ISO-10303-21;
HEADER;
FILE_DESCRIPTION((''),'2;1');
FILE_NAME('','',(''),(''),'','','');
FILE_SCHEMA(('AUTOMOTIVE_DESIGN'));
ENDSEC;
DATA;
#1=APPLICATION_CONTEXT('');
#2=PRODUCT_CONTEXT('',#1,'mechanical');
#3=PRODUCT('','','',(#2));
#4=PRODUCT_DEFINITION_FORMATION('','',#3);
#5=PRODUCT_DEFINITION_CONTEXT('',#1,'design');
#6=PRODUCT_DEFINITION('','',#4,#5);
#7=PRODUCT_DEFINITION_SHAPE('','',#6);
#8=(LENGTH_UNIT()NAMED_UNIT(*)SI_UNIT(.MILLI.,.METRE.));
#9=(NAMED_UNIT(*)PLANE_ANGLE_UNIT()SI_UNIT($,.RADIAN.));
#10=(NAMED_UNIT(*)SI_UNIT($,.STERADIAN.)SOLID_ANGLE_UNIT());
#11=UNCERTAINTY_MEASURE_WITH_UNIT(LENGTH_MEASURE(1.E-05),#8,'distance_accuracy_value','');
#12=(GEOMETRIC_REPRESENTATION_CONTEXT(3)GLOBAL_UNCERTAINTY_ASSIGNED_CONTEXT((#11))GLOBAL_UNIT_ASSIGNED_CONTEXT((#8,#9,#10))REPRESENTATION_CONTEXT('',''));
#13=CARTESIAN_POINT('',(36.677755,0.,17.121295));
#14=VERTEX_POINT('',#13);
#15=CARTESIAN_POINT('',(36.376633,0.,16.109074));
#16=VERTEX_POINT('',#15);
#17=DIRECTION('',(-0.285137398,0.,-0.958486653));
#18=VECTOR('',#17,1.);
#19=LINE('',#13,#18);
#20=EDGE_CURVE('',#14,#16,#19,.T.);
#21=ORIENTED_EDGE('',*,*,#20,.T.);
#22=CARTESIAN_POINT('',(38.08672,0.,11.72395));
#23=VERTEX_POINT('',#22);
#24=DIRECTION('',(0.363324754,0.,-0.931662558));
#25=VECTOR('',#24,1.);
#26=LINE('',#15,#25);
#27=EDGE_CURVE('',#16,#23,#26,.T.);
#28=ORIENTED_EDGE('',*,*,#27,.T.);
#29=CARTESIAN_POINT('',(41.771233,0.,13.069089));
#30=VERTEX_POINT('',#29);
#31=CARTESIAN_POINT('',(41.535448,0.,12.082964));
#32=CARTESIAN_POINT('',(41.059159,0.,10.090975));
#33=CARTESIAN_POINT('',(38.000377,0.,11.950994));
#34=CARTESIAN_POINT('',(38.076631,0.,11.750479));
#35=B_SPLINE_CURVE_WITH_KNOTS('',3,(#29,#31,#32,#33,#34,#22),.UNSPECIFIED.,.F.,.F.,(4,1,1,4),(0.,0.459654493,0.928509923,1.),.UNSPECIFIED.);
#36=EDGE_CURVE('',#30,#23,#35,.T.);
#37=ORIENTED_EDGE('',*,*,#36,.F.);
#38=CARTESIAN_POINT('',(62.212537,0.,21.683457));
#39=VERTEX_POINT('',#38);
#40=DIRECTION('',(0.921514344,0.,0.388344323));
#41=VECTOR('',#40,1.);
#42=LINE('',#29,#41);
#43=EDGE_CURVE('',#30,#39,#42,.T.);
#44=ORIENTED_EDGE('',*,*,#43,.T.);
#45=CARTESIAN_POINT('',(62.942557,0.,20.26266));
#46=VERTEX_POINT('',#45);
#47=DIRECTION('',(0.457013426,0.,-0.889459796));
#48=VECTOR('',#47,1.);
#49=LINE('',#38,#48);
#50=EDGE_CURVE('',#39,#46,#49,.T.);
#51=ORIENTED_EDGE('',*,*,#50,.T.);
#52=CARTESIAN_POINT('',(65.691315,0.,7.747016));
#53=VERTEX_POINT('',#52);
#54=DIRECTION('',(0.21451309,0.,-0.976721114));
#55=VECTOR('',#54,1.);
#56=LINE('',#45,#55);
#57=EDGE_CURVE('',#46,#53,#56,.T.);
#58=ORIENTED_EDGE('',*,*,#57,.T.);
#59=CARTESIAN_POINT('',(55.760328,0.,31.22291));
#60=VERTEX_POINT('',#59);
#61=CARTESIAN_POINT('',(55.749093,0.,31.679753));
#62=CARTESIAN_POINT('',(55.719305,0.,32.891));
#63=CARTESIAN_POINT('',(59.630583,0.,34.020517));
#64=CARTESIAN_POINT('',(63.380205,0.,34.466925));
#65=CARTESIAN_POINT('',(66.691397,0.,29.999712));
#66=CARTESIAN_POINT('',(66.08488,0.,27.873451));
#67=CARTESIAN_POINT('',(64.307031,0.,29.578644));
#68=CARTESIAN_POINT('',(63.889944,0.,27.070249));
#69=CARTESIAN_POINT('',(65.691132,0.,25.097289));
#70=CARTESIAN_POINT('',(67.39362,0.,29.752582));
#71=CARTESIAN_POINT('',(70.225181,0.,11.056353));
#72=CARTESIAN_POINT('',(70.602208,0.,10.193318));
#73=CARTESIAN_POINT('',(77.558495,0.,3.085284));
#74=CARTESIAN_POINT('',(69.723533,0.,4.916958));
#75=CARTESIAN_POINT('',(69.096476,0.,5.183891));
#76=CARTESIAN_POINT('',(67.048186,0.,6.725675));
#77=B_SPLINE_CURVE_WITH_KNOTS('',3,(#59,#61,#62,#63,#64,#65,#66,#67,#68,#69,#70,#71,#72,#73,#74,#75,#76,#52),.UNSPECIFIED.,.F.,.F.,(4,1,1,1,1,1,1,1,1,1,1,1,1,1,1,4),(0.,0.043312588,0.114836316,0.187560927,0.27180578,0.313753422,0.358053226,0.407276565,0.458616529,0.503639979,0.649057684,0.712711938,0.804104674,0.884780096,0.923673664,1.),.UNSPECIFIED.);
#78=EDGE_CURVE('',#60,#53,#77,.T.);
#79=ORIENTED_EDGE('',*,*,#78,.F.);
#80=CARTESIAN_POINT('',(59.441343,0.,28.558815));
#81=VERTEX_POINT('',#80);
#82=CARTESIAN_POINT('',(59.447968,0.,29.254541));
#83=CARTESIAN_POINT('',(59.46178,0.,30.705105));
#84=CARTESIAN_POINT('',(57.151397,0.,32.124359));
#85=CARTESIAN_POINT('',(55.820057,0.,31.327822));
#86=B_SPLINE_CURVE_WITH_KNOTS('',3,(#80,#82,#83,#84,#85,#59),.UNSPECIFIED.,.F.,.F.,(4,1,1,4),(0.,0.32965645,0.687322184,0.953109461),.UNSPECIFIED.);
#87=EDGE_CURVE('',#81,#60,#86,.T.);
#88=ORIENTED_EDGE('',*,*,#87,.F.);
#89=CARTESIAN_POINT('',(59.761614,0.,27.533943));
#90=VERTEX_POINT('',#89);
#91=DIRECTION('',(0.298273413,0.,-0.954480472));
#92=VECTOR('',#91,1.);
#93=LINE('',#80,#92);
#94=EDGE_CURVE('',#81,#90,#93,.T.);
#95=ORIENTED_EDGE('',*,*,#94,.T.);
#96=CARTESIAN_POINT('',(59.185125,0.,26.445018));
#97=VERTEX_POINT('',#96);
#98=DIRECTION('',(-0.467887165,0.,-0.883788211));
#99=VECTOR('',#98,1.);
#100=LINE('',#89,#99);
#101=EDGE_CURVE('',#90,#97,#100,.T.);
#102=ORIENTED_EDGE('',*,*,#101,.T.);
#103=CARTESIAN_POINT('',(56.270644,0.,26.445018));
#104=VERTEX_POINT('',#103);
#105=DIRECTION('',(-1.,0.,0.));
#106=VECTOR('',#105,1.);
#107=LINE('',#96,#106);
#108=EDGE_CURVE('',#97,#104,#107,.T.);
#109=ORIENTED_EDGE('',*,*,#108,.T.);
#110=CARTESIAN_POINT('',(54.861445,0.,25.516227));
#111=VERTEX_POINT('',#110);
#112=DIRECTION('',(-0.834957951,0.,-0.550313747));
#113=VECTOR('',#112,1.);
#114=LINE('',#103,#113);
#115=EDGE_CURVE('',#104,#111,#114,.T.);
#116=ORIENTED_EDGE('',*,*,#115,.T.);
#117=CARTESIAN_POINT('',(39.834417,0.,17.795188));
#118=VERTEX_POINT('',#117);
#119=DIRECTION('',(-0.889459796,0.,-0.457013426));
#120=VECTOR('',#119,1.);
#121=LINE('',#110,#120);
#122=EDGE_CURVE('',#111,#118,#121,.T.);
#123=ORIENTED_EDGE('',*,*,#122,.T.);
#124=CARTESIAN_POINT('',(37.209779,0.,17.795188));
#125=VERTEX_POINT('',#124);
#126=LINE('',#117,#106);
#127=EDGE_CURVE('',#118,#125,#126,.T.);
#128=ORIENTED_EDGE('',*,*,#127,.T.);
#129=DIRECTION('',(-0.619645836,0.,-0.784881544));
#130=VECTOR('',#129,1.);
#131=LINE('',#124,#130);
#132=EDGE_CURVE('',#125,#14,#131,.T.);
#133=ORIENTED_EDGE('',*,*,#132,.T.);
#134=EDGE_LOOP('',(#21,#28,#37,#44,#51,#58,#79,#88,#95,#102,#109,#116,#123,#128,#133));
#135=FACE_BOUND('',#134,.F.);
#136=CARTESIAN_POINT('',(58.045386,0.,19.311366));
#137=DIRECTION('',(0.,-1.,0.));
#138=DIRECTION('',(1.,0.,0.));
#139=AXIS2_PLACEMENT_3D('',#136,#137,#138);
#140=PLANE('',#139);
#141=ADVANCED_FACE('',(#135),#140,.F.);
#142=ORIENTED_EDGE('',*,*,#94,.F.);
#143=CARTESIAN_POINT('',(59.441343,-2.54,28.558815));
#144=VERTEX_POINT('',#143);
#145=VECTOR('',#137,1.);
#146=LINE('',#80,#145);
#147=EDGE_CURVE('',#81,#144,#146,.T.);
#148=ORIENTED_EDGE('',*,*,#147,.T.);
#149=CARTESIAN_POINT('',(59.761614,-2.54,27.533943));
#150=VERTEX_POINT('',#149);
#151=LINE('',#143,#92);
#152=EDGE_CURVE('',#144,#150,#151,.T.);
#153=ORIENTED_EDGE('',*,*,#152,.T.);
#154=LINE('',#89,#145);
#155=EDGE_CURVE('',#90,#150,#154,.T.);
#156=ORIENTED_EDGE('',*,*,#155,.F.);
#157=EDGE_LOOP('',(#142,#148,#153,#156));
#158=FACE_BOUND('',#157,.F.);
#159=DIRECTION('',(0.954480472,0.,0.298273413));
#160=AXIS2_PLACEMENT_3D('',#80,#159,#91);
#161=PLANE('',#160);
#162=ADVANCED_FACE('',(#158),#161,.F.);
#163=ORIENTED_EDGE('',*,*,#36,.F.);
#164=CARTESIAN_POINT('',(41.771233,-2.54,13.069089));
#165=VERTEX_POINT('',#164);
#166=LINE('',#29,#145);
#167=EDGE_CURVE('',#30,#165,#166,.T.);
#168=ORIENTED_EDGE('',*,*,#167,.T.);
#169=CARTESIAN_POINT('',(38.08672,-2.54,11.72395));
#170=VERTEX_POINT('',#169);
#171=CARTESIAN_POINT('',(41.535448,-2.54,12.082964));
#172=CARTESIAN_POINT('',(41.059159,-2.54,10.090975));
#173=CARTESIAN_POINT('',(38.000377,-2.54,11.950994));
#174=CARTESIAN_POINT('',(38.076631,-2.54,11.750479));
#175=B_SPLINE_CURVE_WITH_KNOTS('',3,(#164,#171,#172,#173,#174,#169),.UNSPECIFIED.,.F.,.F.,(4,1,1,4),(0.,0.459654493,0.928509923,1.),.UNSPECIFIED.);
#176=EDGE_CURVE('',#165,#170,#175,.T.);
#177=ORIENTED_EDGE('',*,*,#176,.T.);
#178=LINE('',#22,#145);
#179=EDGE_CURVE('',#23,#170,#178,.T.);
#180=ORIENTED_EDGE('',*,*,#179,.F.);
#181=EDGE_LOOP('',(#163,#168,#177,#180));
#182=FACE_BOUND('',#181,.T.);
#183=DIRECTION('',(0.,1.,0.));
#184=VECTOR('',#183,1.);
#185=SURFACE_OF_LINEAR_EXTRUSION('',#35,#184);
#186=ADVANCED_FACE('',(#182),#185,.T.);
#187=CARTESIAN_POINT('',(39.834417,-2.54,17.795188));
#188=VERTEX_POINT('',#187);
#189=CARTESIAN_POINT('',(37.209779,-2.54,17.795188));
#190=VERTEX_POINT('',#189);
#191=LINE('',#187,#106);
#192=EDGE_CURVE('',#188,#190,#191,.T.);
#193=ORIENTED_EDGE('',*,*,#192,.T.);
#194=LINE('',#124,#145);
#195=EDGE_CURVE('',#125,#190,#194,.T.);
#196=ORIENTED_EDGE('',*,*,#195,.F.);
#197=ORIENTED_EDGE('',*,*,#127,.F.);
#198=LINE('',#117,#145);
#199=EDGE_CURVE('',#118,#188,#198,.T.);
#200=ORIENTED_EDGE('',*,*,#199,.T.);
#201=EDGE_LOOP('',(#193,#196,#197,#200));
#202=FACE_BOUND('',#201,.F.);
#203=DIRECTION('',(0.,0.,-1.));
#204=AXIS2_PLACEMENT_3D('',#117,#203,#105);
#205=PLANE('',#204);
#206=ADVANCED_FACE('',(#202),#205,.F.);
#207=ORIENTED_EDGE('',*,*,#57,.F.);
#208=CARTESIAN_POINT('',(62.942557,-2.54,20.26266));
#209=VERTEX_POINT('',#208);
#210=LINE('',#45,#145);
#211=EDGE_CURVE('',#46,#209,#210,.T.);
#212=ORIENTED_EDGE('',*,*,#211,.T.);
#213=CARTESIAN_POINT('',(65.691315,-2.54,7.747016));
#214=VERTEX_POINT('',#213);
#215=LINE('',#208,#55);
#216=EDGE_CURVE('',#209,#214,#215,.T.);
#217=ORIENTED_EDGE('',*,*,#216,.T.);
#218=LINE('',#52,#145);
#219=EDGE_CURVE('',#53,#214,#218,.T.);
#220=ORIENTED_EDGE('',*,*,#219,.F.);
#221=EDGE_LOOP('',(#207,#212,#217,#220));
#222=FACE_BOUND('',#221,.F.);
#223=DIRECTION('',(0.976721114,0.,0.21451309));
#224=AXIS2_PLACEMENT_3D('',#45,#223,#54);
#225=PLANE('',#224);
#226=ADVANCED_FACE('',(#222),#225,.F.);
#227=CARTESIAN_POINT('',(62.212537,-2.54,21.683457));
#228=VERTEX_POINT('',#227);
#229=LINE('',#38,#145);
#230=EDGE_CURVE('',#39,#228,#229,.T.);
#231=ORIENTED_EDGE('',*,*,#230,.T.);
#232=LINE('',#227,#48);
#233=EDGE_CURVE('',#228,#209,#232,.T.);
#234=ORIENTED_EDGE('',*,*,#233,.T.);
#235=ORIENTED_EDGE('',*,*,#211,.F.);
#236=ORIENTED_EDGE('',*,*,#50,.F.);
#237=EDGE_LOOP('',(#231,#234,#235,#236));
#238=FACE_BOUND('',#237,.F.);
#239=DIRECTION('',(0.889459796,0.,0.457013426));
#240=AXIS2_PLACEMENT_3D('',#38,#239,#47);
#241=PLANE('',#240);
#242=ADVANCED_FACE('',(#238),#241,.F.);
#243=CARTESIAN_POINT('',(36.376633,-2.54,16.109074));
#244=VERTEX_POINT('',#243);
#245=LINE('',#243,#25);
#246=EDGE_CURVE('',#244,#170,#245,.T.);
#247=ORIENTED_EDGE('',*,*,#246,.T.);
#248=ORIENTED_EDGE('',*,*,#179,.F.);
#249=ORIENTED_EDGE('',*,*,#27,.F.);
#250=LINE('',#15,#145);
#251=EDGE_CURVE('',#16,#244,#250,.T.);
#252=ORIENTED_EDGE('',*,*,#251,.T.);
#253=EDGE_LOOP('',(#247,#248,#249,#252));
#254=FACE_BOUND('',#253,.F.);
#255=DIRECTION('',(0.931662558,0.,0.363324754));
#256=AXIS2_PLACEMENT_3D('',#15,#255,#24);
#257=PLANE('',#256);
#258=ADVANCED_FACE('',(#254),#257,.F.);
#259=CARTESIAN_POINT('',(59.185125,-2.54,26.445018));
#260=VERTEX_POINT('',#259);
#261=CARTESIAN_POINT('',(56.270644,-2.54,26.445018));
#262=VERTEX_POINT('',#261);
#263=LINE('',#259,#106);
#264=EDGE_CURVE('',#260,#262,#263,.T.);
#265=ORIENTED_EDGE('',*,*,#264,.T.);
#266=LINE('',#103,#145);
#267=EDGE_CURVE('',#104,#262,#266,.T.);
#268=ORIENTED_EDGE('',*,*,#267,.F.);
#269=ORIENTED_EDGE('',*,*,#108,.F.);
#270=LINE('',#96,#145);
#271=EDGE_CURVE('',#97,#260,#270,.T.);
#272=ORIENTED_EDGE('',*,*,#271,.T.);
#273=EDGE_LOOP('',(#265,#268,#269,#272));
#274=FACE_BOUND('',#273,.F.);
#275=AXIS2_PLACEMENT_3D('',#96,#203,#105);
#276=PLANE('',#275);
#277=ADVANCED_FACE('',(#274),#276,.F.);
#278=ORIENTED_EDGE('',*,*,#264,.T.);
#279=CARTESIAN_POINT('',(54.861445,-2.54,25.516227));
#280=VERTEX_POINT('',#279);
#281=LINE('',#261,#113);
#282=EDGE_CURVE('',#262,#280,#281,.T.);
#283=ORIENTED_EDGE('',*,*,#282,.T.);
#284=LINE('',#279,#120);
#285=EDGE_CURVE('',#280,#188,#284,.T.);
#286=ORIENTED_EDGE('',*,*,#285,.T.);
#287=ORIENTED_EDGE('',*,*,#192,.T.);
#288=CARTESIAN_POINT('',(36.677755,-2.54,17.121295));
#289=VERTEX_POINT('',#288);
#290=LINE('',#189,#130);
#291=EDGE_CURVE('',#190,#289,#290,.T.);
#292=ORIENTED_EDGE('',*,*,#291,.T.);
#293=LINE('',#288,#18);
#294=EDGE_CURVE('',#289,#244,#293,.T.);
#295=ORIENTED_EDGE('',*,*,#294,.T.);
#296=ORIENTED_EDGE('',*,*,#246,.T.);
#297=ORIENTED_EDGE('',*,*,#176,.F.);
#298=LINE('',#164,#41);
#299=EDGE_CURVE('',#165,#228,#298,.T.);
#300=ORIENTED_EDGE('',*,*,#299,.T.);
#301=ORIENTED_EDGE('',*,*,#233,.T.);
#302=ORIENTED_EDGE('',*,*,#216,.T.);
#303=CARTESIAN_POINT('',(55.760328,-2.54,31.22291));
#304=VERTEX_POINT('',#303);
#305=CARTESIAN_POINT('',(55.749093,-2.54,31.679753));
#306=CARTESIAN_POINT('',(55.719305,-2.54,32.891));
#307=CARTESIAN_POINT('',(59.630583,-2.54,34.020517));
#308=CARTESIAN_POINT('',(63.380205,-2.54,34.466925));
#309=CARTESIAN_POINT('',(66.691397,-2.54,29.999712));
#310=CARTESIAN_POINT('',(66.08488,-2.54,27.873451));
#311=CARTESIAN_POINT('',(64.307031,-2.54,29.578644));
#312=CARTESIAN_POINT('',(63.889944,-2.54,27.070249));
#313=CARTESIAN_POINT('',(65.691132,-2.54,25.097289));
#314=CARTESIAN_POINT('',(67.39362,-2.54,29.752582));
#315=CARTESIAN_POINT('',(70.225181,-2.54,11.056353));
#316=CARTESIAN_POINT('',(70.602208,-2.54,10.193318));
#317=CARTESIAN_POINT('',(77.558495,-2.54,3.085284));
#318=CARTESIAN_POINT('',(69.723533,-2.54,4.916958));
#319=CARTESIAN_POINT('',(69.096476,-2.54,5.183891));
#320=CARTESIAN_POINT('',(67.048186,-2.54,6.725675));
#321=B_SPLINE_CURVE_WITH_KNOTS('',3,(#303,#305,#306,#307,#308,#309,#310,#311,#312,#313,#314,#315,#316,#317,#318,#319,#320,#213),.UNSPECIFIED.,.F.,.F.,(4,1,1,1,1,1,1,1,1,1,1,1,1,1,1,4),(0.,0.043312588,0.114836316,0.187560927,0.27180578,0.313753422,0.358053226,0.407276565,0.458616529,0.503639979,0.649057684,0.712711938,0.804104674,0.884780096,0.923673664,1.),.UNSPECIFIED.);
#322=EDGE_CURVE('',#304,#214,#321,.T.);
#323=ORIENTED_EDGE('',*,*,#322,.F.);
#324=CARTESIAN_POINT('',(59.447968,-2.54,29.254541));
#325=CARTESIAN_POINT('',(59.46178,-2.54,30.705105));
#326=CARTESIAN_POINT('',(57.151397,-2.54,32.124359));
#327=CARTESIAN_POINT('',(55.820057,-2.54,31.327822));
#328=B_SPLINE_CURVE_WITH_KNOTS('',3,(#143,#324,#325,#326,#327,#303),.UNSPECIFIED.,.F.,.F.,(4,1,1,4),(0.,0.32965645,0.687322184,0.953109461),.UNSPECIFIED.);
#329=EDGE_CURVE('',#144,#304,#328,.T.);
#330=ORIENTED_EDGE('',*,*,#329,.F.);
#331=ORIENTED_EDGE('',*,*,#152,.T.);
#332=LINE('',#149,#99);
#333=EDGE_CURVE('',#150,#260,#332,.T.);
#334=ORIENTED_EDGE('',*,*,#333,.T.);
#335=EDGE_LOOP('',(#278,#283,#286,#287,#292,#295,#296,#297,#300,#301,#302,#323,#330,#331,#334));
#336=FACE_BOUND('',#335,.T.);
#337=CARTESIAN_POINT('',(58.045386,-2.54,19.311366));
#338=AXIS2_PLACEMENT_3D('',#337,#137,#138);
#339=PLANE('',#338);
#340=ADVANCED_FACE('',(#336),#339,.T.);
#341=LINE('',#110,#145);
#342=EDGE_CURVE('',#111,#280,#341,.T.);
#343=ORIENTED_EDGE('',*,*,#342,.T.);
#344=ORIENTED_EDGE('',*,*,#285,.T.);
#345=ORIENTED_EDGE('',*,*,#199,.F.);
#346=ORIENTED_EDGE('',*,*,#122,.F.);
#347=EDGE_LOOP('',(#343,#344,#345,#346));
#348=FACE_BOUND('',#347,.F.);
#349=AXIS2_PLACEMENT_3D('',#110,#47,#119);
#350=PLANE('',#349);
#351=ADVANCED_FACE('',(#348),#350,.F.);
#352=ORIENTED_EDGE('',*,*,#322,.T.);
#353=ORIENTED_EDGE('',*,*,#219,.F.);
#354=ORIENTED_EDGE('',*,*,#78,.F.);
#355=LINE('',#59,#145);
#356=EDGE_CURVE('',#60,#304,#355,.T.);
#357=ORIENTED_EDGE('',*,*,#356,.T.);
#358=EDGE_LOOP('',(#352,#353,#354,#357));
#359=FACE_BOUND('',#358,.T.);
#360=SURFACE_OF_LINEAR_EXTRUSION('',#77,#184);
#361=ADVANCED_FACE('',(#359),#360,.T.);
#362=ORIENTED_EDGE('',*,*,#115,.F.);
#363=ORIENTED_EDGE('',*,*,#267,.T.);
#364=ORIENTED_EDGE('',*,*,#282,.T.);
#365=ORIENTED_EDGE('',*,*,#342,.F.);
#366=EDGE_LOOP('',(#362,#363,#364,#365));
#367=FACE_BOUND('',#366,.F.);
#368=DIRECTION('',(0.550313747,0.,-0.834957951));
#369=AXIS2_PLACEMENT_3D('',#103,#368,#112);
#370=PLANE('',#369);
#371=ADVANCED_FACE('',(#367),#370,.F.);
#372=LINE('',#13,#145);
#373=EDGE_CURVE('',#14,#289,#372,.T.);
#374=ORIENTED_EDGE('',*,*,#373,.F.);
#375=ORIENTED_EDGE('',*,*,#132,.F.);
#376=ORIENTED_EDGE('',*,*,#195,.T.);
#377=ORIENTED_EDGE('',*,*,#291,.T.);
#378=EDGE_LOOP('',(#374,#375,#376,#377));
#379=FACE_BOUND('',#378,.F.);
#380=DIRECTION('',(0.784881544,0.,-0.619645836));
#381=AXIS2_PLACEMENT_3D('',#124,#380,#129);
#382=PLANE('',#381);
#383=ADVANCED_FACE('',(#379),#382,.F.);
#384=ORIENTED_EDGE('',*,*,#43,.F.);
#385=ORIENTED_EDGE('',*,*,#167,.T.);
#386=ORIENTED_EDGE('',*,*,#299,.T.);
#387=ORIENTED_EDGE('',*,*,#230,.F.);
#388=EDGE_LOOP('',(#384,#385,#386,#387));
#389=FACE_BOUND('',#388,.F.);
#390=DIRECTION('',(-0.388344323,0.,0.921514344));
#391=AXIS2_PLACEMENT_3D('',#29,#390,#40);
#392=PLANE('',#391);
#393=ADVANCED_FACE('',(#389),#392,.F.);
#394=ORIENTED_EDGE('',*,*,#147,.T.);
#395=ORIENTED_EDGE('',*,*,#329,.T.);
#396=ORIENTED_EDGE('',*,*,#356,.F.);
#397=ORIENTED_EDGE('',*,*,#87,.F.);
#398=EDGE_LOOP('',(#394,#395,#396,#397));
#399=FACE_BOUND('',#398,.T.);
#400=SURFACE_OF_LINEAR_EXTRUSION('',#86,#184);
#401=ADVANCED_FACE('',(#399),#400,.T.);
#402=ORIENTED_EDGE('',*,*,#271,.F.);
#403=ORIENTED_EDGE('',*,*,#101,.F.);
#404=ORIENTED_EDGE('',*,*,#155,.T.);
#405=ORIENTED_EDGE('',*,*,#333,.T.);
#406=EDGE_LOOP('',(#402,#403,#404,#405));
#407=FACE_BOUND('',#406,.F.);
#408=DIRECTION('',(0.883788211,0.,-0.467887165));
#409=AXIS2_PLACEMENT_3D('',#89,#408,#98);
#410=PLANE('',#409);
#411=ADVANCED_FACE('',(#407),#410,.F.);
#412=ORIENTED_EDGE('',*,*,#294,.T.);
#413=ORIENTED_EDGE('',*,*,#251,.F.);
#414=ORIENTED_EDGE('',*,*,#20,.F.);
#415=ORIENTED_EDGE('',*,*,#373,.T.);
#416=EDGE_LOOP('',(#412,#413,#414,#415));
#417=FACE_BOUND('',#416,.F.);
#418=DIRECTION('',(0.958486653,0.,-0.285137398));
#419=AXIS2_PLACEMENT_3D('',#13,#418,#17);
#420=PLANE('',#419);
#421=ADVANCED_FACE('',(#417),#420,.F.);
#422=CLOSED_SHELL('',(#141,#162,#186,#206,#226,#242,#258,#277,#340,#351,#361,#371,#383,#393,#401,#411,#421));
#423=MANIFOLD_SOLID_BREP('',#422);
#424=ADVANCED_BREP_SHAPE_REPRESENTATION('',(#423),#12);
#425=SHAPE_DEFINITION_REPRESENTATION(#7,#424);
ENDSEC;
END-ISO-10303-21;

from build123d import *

# Parameters (mm, degrees)
F1_DEPTH = 2.54
F2_DEPTH = 2.54


with BuildPart() as f1:
    # F0 (on Front) → F1 (new body)
    with BuildSketch(Plane.XZ):
        with BuildLine():
            Line((36.6777554154, 17.1212945133), (36.37663275, 16.1090735346))
            Line((36.37663275, 16.1090735346), (38.086719811, 11.7239495739))
            add(Edge.make_bspline(
                [(41.7712330818, 13.0690885708), (41.5354481341, 12.0829637238), (41.0591585147, 10.0909746992), (38.0003773742, 11.9509936681), (38.076631108, 11.7504785961), (38.086719811, 11.7239495739)],
                knots=[0, 0, 0, 0, 0.4596544934, 0.9285099232, 1, 1, 1, 1], degree=3))
            Line((41.7712330818, 13.0690885708), (62.2125372299, 21.6834573789))
            Line((62.2125372299, 21.6834573789), (62.9425570369, 20.2626604587))
            Line((62.9425570369, 20.2626604587), (65.6913146377, 7.7470159158))
            add(Edge.make_bspline(
                [(55.7603277266, 31.2229096889), (55.7490927547, 31.6797532226), (55.7193050453, 32.8909998981), (59.6305831012, 34.020517402), (63.380204868, 34.4669252281), (66.6913971834, 29.9997123966), (66.084880105, 27.8734513112), (64.3070310154, 29.5786438458), (63.8899437937, 27.0702492282), (65.691132429, 25.0972892166), (67.3936197636, 29.7525822801), (70.2251805083, 11.0563526025), (70.6022084226, 10.1933180604), (77.5584950774, 3.085283716), (69.7235334871, 4.9169576176), (69.096476367, 5.183890585), (67.0481855316, 6.7256752467), (65.6913146377, 7.7470159158)],
                knots=[0, 0, 0, 0, 0.0433125882, 0.1148363163, 0.1875609272, 0.2718057797, 0.3137534224, 0.3580532259, 0.4072765647, 0.4586165285, 0.5036399789, 0.6490576837, 0.7127119379, 0.8041046744, 0.8847800957, 0.923673664, 1, 1, 1, 1], degree=3))
            add(Edge.make_bspline(
                [(59.4413429499, 28.5588148981), (59.4479677392, 29.254540833), (59.4617801936, 30.7051051077), (57.1513972889, 32.1243589613), (55.8200570223, 31.3278217214), (55.7603277266, 31.2229096889)],
                knots=[0, 0, 0, 0, 0.32965645, 0.6873221843, 0.9531094609, 0.9531094609, 0.9531094609, 0.9531094609], degree=3))
            Line((59.4413429499, 28.5588148981), (59.7616136074, 27.5339428335))
            Line((59.7616136074, 27.5339428335), (59.1851249337, 26.4450181276))
            Line((59.1851249337, 26.4450181276), (56.2706440687, 26.4450181276))
            Line((56.2706440687, 26.4450181276), (54.8614449799, 25.5162268877))
            Line((54.8614449799, 25.5162268877), (39.8344174027, 17.7951883525))
            Line((39.8344174027, 17.7951883525), (37.2097790241, 17.7951883525))
            Line((37.2097790241, 17.7951883525), (36.6777554154, 17.1212945133))
        make_face()
    extrude(amount=F1_DEPTH)

    # F2 (add): a face of the model
    f2_faces = [f1.faces().sort_by_distance(p)[0] for p in [
        (47.5698605155, -2.54, 21.2237789281),
    ]]
    extrude(f2_faces, amount=-F2_DEPTH)


solid = f1.part
